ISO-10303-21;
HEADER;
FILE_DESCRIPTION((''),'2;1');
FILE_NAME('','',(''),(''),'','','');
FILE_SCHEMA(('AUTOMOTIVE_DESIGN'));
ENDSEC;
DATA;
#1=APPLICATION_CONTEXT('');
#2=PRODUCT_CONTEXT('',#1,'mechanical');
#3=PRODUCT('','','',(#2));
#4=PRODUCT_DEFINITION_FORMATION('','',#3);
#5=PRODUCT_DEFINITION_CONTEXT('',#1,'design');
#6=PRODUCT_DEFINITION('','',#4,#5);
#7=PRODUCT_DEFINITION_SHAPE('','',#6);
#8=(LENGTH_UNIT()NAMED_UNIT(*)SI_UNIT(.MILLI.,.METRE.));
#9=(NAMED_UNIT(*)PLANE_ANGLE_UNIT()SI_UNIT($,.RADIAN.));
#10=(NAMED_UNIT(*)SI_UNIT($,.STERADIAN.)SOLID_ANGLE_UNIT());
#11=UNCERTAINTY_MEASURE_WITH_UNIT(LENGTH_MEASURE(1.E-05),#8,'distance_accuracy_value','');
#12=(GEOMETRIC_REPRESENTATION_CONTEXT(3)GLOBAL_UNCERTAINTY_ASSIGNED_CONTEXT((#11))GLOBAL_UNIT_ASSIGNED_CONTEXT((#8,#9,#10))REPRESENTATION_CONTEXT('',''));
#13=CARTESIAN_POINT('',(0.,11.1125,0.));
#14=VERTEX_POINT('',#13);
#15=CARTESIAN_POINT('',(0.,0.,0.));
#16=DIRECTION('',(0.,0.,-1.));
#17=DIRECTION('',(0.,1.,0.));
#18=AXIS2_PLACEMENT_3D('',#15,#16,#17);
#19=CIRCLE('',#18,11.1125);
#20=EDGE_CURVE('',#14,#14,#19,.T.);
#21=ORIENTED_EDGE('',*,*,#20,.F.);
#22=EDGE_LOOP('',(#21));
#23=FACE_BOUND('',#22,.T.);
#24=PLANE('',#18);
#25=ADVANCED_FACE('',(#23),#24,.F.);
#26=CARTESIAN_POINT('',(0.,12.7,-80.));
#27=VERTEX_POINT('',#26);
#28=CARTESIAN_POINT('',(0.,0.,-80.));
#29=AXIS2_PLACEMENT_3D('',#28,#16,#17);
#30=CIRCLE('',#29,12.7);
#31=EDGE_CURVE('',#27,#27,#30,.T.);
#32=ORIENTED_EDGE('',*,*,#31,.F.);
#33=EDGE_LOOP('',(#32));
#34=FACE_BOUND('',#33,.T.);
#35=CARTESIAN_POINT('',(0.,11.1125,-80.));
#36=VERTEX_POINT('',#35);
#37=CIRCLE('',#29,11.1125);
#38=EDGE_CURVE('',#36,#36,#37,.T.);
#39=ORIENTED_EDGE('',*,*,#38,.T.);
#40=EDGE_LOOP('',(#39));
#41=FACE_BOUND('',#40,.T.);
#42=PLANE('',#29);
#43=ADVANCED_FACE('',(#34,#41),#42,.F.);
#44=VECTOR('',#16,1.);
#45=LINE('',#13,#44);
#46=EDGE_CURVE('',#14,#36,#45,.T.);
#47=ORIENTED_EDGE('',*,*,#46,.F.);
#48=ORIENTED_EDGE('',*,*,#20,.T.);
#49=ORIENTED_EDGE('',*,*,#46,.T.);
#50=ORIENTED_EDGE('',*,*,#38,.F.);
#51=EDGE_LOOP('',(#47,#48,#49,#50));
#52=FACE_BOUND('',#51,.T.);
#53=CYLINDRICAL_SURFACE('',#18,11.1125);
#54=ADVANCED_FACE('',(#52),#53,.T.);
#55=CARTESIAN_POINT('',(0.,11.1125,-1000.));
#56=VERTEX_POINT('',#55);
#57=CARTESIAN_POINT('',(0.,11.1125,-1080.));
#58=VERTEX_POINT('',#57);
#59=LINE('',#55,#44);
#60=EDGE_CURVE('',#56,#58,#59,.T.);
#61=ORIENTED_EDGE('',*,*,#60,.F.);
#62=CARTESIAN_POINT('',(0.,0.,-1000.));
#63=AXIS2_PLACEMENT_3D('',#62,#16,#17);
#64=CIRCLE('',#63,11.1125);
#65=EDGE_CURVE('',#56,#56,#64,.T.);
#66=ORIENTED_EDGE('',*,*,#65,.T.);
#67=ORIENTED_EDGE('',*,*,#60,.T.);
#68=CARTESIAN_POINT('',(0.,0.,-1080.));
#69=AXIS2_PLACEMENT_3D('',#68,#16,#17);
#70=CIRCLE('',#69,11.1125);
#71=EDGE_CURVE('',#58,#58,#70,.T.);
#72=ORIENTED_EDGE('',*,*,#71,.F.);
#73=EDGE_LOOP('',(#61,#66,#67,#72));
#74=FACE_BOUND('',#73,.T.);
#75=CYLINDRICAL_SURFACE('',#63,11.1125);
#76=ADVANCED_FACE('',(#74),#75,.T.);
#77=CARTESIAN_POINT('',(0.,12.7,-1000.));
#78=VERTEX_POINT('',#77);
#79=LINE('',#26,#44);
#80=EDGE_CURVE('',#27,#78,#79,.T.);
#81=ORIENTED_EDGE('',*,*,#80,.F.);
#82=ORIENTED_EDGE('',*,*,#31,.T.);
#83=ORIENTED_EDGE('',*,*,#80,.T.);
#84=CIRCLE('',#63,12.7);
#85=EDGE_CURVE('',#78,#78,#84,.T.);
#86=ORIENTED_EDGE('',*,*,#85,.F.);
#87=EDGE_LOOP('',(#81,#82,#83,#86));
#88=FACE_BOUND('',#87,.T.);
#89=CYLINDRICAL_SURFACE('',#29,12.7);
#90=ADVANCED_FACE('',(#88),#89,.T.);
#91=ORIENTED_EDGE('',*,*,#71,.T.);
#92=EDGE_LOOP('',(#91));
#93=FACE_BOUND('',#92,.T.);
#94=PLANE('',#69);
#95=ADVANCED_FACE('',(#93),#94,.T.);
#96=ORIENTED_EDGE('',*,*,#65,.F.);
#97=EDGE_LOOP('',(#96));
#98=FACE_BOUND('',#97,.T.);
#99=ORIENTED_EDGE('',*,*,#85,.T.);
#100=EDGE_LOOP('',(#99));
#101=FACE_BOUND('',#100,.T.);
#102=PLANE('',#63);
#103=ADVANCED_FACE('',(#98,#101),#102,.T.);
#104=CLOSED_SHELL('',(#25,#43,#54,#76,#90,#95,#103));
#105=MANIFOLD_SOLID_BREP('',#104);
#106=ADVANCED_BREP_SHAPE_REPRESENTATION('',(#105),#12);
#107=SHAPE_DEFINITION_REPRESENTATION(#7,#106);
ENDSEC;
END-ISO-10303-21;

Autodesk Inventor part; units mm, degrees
ref_plane "YZ Plane" through (0, 0, 0) normal (1, 0, 0) x (0, 1, 0)
ref_plane "XZ Plane" through (0, 0, 0) normal (0, 1, 0) x (-1, 0, 0)
ref_plane "XY Plane" through (0, 0, 0) normal (0, 0, 1) x (1, 0, 0)
sketch "Sketch3" plane through (0, 0, 0) normal (1, 0, 0) x (0, 1, 0)
  line L0 (0, 0) -> (11.1125, 0)
  line L1 (11.1125, 0) -> (11.1125, -80)
  line L2 (11.1125, -80) -> (12.7, -80)
  line L3 (12.7, -80) -> (12.7, -1000)
  line L4 (12.7, -1000) -> (11.1125, -1000)
  line L5 (11.1125, -1000) -> (11.1125, -1080)
  line L6 (11.1125, -1080) -> (0, -1080)
  line L7 (0, 0) -> (0, -1080)
  dimension "d7" = 11.1125
  dimension "d8" = 80
  dimension "d9" = 1.5875
  dimension "d10" = 920
  dimension "d11" = 1.5875
  dimension "d12" = 80
  dimension "d13" = 11.1125
revolve "Revolution1" add sketch "Sketch3" angle 360 about axis through (0, 0, 0) along (0, 0, -1)
thread "Thread3" size "7/8-9 UNC" class "2A" standard "ANSI Unified Screw Threads" full length
thread "Thread4" size "7/8-9 UNC" class "2A" standard "ANSI Unified Screw Threads" length 80
equation "\"d11\" = d9"
equation "\"d12\" = d8"
equation "\"d13\" = d7"
properties part number "Barra de deslizamiento"
